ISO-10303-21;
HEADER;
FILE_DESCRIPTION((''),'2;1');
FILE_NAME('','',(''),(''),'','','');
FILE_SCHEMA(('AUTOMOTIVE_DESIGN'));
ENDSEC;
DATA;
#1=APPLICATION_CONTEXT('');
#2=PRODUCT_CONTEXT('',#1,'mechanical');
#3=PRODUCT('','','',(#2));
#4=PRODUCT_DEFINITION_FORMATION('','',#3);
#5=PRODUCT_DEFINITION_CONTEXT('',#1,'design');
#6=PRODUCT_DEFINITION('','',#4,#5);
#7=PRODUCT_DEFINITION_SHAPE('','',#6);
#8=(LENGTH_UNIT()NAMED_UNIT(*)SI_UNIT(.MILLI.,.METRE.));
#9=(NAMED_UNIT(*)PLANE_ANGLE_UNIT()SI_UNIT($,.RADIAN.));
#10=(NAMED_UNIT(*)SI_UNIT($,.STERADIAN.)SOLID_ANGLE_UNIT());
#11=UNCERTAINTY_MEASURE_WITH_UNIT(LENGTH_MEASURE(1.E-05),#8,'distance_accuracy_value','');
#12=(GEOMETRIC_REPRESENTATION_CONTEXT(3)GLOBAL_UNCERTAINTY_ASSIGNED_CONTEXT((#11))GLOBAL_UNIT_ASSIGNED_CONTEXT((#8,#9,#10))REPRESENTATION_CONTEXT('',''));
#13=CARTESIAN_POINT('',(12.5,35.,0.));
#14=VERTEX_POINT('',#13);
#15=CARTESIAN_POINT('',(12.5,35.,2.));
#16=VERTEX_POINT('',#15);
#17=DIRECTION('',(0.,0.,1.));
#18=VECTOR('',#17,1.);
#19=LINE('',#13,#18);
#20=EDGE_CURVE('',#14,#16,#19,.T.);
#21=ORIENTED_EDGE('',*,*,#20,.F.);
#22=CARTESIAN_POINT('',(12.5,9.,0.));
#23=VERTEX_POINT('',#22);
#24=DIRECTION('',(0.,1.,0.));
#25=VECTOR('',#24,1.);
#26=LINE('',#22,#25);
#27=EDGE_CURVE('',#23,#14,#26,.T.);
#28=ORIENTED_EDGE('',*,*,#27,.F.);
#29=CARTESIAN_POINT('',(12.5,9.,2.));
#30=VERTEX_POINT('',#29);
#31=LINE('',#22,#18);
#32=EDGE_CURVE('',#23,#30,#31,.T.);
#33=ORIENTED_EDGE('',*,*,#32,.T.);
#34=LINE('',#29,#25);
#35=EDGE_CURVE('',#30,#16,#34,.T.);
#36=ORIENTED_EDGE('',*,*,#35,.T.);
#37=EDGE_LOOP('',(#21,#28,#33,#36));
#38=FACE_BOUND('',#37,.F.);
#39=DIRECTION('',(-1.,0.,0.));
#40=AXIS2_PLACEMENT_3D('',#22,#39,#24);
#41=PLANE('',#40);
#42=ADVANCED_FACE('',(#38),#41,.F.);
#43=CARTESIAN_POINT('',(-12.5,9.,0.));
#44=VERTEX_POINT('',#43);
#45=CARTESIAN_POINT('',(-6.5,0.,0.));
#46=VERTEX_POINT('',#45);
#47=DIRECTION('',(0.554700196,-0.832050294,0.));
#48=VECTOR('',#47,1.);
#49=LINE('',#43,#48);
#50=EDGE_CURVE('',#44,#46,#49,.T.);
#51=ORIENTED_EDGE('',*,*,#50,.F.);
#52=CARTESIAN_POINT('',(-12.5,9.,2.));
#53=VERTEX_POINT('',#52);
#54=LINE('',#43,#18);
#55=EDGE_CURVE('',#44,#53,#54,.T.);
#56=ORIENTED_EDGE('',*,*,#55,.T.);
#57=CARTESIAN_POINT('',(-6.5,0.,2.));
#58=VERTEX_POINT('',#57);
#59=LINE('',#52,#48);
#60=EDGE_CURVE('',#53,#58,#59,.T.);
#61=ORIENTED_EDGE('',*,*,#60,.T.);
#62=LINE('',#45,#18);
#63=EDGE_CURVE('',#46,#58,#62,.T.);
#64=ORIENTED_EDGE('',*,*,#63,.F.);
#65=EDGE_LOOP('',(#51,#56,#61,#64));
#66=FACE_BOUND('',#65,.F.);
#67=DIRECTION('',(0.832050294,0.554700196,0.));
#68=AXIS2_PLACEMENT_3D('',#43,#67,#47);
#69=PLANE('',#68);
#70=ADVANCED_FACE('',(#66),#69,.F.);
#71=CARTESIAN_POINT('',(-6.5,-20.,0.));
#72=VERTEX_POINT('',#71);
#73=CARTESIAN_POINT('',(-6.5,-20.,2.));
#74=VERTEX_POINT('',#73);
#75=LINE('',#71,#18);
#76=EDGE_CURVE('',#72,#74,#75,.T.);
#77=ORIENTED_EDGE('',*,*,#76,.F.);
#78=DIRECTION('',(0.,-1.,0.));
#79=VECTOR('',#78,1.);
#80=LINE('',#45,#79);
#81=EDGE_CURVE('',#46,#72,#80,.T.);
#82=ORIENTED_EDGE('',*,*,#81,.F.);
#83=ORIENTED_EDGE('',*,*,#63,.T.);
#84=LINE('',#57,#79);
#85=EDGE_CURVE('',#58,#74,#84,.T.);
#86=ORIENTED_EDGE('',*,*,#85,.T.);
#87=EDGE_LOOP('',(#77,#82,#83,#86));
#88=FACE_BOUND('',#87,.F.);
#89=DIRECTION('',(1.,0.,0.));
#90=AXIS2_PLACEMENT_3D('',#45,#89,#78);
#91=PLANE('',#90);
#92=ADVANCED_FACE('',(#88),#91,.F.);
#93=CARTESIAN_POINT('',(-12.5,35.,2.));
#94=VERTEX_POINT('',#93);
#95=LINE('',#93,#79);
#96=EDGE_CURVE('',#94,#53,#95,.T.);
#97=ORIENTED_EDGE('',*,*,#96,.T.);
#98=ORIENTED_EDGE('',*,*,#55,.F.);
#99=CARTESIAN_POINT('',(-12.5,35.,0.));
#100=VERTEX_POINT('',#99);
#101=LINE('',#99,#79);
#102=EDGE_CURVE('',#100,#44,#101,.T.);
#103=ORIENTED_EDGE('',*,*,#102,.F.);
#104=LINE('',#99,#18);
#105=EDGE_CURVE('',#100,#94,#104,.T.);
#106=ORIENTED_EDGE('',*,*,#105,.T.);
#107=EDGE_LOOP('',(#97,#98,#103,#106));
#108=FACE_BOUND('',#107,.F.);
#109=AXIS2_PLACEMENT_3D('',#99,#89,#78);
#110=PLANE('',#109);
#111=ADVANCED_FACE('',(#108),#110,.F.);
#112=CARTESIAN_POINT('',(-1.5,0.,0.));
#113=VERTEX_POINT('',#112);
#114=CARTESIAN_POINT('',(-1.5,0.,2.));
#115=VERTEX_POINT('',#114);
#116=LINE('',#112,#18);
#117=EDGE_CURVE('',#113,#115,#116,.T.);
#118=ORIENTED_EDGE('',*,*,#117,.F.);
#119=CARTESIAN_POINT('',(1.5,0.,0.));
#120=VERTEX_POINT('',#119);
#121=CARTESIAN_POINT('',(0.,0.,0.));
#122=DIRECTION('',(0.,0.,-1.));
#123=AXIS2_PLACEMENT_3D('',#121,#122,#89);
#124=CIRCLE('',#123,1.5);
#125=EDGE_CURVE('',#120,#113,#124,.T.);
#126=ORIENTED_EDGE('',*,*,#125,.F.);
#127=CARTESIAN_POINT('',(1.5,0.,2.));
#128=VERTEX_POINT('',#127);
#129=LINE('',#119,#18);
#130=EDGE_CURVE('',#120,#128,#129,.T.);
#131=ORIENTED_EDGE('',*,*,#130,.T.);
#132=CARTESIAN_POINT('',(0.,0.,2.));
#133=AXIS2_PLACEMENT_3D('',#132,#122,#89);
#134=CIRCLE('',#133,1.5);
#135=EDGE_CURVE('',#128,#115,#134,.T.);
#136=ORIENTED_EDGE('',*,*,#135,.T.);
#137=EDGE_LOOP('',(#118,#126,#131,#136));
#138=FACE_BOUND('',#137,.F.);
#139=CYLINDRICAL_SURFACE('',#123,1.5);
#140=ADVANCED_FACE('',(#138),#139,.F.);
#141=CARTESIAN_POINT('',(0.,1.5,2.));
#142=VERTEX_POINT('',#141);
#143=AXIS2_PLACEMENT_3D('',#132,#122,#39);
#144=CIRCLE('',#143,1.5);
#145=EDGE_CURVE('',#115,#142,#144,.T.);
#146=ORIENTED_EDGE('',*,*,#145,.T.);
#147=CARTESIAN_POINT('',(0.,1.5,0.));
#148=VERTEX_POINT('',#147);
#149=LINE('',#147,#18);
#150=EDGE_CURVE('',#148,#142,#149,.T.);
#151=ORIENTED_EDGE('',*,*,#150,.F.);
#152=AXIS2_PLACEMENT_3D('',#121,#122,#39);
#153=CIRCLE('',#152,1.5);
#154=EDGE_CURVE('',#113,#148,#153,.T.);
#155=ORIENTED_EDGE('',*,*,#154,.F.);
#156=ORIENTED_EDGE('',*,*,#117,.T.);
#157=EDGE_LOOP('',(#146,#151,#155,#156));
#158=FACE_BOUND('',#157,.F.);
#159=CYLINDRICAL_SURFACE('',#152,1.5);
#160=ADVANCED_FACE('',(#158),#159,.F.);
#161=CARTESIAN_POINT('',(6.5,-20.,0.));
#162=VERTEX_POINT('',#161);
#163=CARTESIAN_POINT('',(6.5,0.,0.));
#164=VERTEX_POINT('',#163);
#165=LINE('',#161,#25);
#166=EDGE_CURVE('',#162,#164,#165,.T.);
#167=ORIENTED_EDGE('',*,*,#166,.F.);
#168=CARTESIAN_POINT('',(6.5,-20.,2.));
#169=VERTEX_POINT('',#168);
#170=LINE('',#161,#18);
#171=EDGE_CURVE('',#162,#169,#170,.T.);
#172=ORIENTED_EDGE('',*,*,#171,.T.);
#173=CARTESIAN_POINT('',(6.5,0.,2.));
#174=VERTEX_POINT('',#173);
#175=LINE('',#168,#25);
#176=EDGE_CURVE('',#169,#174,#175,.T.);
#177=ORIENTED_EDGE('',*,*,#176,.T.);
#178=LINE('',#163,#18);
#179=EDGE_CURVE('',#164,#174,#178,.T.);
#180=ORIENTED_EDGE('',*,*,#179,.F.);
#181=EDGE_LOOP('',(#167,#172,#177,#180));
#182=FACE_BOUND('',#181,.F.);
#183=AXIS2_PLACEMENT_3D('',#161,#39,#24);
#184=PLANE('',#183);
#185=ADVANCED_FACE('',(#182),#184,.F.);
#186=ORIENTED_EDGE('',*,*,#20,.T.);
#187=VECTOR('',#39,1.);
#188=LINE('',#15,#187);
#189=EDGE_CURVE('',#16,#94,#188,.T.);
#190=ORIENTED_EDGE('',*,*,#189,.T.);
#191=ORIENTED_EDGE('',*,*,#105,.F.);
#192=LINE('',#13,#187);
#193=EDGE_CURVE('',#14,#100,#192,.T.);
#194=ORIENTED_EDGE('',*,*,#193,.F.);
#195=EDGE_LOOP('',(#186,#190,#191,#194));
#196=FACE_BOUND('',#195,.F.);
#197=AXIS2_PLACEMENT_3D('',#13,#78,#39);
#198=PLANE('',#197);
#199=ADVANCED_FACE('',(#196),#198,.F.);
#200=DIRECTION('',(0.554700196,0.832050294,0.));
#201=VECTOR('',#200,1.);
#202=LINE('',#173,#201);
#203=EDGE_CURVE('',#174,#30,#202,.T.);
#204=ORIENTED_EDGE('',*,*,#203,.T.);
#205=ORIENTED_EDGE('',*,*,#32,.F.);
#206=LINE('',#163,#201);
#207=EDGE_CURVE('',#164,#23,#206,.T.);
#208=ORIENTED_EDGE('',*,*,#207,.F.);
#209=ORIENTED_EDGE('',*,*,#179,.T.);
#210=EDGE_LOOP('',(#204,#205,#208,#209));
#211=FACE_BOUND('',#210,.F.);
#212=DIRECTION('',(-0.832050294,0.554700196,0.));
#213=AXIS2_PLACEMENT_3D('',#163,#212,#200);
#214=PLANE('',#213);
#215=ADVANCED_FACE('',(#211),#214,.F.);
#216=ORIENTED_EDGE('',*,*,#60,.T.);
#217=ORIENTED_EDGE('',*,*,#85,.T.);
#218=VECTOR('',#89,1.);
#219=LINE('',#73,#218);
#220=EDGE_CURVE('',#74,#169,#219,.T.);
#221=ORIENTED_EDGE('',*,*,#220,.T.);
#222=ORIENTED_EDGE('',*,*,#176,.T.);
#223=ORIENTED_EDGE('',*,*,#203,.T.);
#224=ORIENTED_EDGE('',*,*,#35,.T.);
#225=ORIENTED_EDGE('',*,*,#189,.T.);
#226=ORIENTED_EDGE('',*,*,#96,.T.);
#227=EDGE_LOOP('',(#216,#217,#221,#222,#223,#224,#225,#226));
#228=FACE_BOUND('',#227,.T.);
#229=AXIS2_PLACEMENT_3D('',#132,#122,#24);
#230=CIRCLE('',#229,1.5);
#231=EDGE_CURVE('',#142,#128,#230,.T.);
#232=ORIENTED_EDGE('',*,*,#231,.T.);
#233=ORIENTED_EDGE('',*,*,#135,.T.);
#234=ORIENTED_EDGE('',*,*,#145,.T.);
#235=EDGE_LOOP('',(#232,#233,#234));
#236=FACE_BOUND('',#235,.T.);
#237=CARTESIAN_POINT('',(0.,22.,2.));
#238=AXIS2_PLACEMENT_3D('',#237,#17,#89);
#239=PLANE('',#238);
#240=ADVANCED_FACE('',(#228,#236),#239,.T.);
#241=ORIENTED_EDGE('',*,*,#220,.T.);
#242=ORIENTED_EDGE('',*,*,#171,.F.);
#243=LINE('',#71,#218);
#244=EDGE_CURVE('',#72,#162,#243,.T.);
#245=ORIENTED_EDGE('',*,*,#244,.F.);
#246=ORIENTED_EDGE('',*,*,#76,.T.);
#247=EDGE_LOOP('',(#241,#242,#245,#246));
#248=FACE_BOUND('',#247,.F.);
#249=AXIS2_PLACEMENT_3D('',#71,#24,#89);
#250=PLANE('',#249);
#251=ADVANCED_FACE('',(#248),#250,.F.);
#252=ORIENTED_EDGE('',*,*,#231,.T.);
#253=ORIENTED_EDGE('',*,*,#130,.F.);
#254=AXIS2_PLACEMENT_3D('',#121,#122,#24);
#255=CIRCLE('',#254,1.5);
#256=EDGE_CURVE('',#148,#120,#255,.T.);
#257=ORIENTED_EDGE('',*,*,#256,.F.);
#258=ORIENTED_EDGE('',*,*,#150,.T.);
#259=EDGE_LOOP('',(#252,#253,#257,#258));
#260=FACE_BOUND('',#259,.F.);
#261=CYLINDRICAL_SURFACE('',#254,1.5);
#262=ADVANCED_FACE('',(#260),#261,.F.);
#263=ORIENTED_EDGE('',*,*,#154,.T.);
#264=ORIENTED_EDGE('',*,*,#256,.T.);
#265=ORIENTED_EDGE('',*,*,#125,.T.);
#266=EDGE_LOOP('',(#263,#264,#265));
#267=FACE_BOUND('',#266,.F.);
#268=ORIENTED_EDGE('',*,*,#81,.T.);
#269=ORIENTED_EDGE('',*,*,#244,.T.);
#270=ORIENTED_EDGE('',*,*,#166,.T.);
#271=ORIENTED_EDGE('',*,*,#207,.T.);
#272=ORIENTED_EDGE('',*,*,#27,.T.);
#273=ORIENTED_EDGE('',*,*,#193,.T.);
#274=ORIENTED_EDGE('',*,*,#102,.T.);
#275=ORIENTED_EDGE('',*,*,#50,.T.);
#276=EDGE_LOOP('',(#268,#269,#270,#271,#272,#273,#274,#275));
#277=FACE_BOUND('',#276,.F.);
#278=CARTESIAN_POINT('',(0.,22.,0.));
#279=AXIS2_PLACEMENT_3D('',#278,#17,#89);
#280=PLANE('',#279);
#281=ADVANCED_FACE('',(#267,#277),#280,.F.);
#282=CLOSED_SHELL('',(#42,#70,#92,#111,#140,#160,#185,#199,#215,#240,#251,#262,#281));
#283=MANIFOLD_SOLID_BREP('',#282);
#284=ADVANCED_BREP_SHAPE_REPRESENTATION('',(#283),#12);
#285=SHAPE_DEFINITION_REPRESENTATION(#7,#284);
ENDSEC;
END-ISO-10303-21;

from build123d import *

# Parameters (mm, degrees)
F1_DEPTH = 2


with BuildPart() as f1:
    # F0 (on Top) → F1 (new body)
    with BuildSketch(Plane.XY):
        Polygon((12.5, 35), (-12.5, 35), (-12.5, 9), (0, 9), (12.5, 9), align=None)
        with BuildLine():
            Line((0, 9), (-12.5, 9))
            Line((-12.5, 9), (-6.5, 0))
            ThreePointArc((-6.5, 0), (-4.5961940777, 4.5961940777), (0, 6.5))
            Line((0, 6.5), (0, 9))
        make_face()
        with BuildLine():
            Line((6.5, 0), (12.5, 9))
            Line((12.5, 9), (0, 9))
            Line((0, 9), (0, 6.5))
            ThreePointArc((0, 6.5), (4.5961940777, 4.5961940777), (6.5, 0))
        make_face()
        with BuildLine():
            Line((-1.5, 0), (-6.5, 0))
            ThreePointArc((-6.5, 0), (0, -6.5), (6.5, 0))
            Line((6.5, 0), (1.5, 0))
            ThreePointArc((1.5, 0), (0, -1.5), (-1.5, 0))
        make_face()
        with BuildLine():
            ThreePointArc((0, 6.5), (-4.5961940777, 4.5961940777), (-6.5, 0))
            Line((-6.5, 0), (-1.5, 0))
            ThreePointArc((-1.5, 0), (-1.0606601718, 1.0606601718), (0, 1.5))
            Line((0, 1.5), (0, 6.5))
        make_face()
        with BuildLine():
            ThreePointArc((6.5, 0), (0, -6.5), (-6.5, 0))
            Line((-6.5, 0), (-6.5, -20))
            Line((-6.5, -20), (6.5, -20))
            Line((6.5, -20), (6.5, 0))
        make_face()
        with BuildLine():
            Line((1.5, 0), (6.5, 0))
            ThreePointArc((6.5, 0), (4.5961940777, 4.5961940777), (0, 6.5))
            Line((0, 6.5), (0, 1.5))
            ThreePointArc((0, 1.5), (1.0606601718, 1.0606601718), (1.5, 0))
        make_face()
    extrude(amount=F1_DEPTH)


solid = f1.part
